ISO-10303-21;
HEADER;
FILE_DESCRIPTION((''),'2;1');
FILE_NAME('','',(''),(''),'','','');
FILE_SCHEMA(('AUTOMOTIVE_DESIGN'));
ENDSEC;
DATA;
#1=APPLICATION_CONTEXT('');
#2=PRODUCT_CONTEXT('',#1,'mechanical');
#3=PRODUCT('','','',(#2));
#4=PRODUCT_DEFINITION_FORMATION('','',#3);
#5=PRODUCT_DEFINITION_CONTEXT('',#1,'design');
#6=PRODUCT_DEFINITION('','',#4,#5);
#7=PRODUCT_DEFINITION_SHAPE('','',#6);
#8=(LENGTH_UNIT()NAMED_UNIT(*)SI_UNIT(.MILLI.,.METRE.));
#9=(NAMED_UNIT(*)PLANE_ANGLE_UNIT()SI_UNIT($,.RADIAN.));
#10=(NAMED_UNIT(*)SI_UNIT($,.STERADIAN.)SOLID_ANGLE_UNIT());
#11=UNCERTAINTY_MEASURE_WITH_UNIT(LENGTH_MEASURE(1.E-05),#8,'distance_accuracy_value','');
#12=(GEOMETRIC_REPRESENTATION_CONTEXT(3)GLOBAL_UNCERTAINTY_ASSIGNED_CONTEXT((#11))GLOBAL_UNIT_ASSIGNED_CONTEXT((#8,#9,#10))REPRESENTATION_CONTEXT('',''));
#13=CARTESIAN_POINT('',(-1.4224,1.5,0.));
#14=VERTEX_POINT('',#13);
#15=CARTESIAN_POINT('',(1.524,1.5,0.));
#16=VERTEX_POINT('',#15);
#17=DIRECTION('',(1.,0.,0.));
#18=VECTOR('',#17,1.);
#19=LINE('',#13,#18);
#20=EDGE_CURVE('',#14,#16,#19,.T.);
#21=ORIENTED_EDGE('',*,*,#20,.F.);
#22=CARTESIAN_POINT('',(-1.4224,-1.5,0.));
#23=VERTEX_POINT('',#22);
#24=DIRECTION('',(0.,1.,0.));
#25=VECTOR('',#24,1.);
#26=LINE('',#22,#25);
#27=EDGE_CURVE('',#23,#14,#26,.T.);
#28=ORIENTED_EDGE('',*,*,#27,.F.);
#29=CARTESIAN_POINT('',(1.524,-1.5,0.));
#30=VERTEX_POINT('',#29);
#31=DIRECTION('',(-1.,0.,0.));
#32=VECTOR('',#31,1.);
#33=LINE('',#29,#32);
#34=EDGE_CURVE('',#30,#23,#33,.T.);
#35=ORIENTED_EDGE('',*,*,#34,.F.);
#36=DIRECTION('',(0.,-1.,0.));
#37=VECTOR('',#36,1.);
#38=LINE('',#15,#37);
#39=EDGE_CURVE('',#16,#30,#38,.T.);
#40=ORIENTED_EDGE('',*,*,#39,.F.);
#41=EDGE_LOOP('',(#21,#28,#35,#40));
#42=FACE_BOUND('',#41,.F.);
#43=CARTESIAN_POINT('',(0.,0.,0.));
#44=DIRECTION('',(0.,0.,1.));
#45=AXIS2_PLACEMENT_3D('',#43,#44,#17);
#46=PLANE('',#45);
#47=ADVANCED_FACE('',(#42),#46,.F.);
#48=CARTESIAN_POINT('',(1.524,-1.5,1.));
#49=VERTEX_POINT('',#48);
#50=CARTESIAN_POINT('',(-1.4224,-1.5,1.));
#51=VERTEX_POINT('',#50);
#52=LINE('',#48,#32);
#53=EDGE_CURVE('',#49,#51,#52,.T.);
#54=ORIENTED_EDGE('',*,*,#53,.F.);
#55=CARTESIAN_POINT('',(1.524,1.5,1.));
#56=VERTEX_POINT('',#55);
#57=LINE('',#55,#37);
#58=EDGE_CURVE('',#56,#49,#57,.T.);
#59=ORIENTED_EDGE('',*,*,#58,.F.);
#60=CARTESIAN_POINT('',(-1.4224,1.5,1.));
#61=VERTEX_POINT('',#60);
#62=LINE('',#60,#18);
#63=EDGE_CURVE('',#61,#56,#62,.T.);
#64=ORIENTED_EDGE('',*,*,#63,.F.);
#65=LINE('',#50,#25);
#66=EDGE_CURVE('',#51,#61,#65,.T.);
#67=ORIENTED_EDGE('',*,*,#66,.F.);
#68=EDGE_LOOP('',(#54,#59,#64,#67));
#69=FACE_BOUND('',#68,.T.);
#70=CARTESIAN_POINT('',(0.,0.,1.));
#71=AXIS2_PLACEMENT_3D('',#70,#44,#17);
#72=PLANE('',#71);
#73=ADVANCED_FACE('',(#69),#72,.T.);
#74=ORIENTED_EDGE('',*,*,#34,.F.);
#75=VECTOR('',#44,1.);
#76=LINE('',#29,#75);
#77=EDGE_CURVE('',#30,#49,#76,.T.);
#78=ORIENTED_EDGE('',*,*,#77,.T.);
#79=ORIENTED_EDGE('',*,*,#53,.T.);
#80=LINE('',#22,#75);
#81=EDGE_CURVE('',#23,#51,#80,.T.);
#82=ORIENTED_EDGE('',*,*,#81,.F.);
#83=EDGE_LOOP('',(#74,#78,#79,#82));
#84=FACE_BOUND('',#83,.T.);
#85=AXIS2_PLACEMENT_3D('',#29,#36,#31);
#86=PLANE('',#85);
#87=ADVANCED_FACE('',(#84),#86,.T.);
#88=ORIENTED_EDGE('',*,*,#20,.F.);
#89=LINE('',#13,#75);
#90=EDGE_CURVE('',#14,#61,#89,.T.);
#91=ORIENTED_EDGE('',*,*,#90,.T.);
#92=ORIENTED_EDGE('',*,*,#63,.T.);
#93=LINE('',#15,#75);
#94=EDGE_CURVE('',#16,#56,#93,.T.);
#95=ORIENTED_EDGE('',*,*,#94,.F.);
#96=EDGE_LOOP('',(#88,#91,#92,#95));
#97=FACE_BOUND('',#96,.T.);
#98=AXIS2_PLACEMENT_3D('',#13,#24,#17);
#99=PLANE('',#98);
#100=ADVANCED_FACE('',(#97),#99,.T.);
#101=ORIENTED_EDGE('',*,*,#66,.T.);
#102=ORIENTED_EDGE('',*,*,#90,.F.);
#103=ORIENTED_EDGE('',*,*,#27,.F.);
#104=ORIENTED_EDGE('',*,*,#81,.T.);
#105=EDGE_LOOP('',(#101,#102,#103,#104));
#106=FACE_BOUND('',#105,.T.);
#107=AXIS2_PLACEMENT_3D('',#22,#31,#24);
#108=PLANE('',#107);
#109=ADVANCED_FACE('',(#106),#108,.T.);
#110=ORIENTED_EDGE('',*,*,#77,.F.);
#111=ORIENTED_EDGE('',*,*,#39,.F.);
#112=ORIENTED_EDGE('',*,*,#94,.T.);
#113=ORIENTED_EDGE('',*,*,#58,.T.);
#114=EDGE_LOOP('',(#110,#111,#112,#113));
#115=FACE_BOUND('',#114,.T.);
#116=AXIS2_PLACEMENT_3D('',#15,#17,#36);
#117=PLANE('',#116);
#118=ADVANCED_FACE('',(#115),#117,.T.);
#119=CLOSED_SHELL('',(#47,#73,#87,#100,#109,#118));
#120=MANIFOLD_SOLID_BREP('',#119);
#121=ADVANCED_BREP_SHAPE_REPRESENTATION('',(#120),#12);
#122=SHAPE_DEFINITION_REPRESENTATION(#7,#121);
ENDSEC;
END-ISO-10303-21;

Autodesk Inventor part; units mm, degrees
ref_plane "YZ Plane" through (0, 0, 0) normal (1, 0, 0) x (0, 1, 0)
ref_plane "XZ Plane" through (0, 0, 0) normal (0, 1, 0) x (-1, 0, 0)
ref_plane "XY Plane" through (0, 0, 0) normal (0, 0, 1) x (1, 0, 0)
sketch "SOT23-5, 3_3V_64" plane through (0, 0, 0) normal (0, 0, 1) x (1, 0, 0)
  line L0 (-1.4224, 1.5) -> (1.524, 1.5)
  line L1 (1.524, 1.5) -> (1.524, -1.5)
  line L2 (1.524, -1.5) -> (-1.4224, -1.5)
  line L3 (-1.4224, -1.5) -> (-1.4224, 1.5)
extrude "Extrusion1" add sketch "SOT23-5, 3_3V_64" along normal blind 1
properties part number "3_3V"
